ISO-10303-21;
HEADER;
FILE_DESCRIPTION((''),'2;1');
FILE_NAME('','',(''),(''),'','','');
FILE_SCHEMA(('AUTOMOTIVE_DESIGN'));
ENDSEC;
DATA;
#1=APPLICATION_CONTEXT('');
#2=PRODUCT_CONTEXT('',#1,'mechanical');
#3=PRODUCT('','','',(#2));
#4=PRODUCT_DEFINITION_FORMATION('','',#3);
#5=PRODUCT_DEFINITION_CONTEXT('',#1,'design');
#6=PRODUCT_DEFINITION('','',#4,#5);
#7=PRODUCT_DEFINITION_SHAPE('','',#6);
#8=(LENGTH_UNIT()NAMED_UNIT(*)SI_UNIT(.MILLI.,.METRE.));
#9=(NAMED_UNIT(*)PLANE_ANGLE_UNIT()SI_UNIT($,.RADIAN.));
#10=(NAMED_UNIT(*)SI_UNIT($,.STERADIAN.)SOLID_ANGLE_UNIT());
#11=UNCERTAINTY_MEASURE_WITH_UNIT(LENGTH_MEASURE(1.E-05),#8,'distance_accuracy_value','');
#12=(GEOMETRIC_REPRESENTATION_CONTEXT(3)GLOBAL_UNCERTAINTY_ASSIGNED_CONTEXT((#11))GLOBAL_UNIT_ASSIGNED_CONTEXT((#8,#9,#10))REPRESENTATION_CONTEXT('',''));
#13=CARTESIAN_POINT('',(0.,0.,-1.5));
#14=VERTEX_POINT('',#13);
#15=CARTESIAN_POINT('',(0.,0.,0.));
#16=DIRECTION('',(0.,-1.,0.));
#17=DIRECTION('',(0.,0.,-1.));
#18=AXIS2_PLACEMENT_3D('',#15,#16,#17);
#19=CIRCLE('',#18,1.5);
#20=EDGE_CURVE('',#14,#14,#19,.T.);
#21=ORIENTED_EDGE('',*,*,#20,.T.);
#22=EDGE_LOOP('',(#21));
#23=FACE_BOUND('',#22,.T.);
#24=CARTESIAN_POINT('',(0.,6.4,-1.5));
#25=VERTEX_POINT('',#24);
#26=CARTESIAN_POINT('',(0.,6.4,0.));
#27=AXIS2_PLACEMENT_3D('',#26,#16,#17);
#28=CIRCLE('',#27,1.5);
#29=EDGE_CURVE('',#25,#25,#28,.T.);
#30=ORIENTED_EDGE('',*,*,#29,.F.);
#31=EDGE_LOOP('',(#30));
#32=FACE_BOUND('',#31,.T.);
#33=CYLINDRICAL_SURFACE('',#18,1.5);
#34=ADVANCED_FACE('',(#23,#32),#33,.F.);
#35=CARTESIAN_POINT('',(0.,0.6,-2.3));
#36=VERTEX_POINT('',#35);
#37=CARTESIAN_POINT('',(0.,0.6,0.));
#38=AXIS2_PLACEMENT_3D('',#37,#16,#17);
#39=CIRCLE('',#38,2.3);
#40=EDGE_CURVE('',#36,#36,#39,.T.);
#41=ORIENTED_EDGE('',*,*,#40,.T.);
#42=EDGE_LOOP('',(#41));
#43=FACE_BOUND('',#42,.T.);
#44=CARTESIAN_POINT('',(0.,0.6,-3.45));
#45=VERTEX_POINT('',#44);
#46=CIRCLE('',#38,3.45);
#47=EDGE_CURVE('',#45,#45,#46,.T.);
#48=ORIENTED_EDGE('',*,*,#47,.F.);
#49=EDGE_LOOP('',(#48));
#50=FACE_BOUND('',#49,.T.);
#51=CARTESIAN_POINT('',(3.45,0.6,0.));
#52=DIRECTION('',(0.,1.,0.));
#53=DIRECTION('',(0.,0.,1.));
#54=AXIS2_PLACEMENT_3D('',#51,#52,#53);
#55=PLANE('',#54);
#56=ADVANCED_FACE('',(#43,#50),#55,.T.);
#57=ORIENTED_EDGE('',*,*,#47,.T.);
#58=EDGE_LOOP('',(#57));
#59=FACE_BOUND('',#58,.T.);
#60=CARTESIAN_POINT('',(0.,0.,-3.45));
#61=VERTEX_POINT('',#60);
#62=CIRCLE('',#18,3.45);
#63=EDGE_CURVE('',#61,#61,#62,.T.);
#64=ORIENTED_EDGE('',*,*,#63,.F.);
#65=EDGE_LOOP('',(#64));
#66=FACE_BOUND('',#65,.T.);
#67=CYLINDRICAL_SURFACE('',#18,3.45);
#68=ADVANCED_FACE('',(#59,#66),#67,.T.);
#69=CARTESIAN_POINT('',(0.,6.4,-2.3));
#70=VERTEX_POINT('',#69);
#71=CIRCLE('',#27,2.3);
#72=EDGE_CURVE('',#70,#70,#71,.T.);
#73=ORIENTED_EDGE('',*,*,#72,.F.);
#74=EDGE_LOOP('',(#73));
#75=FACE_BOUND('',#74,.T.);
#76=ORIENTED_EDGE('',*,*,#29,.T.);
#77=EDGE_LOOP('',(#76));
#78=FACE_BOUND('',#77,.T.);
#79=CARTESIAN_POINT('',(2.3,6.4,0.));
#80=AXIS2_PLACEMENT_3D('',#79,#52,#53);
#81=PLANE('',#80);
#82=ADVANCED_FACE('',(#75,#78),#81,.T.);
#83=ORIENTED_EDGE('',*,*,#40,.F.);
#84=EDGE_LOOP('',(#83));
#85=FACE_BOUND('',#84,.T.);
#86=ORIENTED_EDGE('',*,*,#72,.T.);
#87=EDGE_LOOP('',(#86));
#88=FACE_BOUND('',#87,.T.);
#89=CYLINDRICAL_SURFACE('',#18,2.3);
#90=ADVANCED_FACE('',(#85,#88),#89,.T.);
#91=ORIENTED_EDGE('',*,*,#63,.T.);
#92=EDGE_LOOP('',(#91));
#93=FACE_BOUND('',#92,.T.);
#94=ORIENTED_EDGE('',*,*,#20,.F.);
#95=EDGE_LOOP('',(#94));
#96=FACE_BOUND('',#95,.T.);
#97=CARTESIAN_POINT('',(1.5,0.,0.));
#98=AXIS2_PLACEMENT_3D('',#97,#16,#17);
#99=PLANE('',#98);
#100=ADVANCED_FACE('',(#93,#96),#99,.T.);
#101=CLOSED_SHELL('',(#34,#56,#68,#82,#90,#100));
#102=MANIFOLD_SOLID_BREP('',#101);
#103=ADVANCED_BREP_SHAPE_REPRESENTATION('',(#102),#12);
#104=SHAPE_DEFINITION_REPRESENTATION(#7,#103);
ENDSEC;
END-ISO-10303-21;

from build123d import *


with BuildPart() as part:
    # Sketch1 → Revolve1 (revolve)
    with BuildSketch(Plane.XY, mode=Mode.PRIVATE) as revolve1_sk:
        Polygon((1.5, 0), (3.45, 0), (3.45, 0.6), (2.3, 0.6), (2.3, 6.4), (1.5, 6.4), align=None)
    revolve(revolve1_sk.sketch.rotate(Axis((0, 0, 0), (0, 1, 0)), 90), axis=Axis((0, 0, 0), (0, 1, 0)))


solid = part.part
